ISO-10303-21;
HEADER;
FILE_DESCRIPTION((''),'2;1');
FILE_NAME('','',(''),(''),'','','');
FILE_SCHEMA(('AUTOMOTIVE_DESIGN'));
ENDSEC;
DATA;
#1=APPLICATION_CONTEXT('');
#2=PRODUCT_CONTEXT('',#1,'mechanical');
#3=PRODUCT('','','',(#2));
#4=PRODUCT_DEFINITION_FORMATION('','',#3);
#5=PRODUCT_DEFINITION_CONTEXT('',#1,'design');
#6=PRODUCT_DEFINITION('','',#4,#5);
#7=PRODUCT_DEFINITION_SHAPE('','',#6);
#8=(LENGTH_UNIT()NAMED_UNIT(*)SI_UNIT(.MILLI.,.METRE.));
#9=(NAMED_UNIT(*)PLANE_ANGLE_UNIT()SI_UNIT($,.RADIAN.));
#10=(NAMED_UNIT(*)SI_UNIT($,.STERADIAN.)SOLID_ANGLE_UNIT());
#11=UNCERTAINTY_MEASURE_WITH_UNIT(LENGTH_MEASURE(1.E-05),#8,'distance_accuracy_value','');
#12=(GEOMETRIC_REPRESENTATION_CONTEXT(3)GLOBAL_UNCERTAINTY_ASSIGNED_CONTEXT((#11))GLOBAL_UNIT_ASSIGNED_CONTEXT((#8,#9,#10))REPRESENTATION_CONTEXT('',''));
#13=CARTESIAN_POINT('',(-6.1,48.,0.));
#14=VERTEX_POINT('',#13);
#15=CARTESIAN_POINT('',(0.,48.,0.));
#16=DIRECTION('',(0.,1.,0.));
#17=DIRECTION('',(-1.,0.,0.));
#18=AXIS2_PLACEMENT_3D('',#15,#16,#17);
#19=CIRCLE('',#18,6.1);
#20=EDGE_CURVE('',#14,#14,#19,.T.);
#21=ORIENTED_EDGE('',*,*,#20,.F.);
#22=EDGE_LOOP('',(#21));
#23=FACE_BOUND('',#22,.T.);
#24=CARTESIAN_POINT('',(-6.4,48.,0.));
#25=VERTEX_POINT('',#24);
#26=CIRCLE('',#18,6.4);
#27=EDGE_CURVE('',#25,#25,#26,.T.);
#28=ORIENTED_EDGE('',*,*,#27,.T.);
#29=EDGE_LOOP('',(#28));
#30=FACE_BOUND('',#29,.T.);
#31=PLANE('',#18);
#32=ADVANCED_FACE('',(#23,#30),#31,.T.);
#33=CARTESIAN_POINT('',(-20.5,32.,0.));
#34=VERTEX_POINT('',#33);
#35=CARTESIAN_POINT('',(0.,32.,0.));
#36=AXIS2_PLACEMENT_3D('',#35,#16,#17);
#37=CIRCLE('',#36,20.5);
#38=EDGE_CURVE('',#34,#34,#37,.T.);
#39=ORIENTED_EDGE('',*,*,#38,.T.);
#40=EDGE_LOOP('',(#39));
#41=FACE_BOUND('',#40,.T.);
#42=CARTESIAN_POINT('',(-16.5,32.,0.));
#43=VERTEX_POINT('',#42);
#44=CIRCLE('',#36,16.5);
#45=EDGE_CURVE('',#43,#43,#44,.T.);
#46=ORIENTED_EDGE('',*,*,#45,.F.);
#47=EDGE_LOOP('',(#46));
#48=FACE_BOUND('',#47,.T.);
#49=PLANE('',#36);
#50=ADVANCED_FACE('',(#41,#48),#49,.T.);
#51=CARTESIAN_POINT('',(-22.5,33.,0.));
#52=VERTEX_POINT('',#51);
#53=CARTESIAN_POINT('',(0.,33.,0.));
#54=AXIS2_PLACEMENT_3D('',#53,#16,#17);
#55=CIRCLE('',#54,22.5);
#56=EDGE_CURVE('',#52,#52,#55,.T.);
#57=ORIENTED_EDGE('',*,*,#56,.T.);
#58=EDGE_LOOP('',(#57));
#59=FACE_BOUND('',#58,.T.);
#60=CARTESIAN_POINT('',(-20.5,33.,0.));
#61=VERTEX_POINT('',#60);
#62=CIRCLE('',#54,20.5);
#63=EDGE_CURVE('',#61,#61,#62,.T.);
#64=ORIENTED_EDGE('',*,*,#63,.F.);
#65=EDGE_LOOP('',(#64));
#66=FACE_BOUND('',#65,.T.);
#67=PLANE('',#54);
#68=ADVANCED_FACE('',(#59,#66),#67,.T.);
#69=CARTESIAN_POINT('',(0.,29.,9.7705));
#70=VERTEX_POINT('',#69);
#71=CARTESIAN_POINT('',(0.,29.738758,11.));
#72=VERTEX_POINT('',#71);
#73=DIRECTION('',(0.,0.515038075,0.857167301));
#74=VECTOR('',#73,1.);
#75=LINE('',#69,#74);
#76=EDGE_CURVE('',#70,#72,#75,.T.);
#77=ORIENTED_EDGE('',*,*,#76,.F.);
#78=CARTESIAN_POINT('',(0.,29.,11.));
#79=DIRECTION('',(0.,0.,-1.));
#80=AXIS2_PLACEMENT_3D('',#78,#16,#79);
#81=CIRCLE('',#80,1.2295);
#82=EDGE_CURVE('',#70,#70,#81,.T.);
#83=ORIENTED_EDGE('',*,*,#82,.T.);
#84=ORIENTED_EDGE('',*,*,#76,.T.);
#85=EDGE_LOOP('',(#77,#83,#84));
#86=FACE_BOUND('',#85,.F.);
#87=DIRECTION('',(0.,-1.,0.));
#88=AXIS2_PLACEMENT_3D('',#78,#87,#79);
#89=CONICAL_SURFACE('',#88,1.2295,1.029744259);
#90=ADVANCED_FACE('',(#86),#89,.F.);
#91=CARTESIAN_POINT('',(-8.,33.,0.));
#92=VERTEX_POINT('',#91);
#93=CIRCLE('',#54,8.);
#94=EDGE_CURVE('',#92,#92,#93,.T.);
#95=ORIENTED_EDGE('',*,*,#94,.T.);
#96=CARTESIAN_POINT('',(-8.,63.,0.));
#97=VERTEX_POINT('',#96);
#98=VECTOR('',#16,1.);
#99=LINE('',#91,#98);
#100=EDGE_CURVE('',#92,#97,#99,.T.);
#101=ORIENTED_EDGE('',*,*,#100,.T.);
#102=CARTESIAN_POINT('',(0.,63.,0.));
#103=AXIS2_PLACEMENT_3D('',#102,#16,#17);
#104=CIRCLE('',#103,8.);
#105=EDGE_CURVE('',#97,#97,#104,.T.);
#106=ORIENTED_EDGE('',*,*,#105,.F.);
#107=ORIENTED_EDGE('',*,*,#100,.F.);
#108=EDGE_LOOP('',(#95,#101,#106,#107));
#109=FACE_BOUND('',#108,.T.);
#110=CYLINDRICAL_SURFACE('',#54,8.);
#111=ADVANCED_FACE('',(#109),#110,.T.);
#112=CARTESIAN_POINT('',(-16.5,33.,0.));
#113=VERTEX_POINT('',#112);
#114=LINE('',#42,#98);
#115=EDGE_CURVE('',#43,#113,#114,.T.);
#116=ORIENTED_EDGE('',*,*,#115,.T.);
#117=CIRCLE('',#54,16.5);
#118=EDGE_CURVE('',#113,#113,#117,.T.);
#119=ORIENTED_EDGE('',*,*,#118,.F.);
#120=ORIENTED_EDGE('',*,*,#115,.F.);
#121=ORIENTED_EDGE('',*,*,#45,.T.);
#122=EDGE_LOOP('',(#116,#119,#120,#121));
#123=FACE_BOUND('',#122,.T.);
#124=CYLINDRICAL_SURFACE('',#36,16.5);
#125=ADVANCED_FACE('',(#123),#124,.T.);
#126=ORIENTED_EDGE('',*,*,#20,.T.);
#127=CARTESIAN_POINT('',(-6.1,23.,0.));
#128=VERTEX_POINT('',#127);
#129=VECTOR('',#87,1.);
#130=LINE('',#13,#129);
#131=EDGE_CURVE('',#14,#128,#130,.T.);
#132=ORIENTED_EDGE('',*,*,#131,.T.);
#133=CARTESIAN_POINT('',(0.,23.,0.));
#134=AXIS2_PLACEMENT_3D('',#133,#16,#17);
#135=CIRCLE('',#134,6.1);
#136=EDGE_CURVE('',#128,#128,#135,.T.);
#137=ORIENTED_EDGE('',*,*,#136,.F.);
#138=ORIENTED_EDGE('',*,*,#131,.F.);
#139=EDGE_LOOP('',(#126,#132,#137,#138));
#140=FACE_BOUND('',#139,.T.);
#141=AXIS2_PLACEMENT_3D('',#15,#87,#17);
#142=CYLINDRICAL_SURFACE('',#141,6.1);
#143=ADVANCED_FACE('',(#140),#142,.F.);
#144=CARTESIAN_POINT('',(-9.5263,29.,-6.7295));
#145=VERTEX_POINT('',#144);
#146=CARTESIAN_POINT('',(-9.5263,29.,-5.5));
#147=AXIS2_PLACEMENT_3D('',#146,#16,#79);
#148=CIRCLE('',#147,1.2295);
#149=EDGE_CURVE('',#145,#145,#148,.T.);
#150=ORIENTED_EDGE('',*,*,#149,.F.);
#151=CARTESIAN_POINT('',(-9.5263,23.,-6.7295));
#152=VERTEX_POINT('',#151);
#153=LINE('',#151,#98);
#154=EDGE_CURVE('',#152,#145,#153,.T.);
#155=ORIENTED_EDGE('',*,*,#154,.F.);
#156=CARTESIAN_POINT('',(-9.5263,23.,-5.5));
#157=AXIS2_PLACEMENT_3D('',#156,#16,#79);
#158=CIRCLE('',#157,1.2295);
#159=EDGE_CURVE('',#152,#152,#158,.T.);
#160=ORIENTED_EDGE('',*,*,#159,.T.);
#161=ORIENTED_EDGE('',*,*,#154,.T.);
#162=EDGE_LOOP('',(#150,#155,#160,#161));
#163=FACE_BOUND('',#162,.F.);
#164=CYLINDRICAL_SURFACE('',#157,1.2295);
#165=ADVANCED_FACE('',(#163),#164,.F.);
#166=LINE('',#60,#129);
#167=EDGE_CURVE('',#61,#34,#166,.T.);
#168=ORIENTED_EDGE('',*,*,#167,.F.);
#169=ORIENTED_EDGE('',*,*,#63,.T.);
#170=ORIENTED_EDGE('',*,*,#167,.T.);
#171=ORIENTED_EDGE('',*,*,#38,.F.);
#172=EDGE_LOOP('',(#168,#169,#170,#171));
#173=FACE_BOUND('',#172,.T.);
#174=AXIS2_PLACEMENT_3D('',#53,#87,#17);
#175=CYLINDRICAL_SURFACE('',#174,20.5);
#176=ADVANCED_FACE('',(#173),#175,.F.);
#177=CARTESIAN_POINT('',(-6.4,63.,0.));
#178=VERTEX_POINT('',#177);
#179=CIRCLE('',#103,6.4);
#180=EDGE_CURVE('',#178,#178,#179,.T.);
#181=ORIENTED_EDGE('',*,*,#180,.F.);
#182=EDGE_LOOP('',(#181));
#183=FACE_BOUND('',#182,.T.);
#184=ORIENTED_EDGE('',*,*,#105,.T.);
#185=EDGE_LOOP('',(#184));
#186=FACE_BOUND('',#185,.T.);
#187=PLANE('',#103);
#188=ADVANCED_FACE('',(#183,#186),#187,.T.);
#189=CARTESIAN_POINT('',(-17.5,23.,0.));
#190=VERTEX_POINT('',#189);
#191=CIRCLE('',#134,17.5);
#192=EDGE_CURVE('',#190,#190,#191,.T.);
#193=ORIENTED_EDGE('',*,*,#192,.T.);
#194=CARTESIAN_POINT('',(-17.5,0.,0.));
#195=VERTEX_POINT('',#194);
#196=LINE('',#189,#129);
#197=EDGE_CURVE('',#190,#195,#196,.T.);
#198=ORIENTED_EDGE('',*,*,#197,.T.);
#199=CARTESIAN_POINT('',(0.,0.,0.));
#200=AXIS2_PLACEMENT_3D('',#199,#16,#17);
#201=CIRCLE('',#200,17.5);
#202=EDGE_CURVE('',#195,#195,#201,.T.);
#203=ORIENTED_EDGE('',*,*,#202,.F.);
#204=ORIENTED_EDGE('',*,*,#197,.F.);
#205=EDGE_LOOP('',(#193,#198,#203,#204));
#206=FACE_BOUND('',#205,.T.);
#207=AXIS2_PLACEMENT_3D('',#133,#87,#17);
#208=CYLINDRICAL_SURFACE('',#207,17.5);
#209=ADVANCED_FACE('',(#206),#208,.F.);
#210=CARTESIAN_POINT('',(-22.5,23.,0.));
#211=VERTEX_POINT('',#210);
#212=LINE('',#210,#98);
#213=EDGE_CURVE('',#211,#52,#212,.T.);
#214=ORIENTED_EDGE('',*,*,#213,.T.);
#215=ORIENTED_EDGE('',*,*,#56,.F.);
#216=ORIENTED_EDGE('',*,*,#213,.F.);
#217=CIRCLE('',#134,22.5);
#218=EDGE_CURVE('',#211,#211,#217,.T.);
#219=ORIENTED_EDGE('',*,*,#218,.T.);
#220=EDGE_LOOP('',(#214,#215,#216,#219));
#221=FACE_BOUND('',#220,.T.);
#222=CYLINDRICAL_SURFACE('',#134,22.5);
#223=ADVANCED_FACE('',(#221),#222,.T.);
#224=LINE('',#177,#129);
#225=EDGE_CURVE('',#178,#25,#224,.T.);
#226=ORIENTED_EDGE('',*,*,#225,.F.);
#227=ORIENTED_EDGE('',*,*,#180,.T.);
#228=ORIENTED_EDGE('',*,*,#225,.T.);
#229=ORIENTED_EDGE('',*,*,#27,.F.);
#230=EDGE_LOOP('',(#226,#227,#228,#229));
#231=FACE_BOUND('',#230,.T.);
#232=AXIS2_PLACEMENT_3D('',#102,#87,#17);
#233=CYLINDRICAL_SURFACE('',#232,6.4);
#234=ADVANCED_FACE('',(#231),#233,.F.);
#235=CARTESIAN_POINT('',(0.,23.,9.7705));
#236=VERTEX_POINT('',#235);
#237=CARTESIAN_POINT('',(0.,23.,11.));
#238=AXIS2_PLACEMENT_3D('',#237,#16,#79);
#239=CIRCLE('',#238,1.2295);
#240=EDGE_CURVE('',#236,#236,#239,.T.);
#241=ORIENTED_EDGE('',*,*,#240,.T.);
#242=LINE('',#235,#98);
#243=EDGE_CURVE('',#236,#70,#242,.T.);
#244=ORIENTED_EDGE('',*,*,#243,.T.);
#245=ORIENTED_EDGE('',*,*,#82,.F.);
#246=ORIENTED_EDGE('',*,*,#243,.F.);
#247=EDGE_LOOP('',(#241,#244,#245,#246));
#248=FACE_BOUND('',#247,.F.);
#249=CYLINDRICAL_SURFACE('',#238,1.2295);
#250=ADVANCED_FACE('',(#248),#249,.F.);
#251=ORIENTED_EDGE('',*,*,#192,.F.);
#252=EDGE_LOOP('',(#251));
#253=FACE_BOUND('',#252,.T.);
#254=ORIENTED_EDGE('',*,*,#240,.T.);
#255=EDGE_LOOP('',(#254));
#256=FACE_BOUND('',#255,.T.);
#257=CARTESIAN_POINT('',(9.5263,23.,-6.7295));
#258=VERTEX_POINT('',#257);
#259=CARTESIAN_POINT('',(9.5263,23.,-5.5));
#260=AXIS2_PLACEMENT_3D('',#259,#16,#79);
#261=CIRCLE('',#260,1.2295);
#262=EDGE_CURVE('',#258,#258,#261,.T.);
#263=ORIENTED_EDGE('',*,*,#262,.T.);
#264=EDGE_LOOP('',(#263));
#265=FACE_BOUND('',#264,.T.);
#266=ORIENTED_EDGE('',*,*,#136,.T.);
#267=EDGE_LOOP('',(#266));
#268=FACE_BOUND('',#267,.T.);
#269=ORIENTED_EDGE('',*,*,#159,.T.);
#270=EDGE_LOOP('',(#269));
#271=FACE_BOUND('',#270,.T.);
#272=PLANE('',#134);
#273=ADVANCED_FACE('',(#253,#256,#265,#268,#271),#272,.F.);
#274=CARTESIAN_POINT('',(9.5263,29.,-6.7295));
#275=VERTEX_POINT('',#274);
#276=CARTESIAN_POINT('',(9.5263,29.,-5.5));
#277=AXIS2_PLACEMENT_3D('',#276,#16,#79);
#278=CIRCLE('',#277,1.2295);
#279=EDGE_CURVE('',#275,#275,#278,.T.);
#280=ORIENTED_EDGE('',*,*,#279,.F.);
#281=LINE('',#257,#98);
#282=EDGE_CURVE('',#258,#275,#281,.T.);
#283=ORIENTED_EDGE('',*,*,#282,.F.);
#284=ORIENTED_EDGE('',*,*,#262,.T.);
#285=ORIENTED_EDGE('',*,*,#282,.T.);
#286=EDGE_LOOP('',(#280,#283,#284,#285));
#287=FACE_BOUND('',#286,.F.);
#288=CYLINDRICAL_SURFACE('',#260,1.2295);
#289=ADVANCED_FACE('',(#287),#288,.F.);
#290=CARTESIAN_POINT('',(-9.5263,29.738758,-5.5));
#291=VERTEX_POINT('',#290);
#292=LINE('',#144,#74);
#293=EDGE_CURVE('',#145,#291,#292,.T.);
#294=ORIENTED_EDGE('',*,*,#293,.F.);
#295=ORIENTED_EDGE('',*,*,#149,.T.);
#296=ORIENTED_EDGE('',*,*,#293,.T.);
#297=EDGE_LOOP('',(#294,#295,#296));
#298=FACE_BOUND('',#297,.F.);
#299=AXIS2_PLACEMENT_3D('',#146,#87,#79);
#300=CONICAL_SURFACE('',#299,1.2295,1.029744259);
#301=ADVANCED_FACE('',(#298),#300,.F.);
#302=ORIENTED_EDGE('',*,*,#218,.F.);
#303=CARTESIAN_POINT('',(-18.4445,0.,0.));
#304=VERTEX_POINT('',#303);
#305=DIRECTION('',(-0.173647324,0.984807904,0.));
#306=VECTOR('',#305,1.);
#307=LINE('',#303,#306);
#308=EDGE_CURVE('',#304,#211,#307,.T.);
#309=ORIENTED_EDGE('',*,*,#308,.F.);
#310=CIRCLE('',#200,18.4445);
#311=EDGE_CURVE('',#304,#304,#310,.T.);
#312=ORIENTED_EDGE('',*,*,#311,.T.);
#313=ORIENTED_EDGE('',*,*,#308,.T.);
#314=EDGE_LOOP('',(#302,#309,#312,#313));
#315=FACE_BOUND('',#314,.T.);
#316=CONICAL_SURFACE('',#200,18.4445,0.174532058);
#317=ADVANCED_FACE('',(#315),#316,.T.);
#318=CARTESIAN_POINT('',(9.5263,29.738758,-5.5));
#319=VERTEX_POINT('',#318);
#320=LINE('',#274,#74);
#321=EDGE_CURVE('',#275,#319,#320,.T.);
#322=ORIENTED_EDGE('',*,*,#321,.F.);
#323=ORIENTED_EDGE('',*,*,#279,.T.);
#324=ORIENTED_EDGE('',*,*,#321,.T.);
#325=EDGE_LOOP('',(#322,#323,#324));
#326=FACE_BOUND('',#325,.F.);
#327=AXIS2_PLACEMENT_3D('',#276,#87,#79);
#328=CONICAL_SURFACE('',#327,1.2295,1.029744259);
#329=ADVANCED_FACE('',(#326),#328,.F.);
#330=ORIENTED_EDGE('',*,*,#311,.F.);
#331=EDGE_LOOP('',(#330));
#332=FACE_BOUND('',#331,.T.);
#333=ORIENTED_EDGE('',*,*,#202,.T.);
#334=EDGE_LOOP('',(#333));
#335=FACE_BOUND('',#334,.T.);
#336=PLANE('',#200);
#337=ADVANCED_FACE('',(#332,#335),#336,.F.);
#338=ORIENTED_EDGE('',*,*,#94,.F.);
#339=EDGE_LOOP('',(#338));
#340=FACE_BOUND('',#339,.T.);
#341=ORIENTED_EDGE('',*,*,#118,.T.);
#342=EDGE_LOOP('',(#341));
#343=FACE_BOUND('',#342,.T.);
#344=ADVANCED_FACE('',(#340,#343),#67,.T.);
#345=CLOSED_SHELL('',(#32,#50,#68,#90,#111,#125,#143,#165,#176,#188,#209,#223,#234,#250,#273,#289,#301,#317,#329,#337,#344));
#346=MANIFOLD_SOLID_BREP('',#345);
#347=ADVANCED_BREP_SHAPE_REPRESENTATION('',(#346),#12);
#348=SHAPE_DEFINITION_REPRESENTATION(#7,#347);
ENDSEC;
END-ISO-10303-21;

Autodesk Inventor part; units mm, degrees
ref_plane "YZ Plane" through (0, 0, 0) normal (1, 0, 0) x (0, 1, 0)
ref_plane "XZ Plane" through (0, 0, 0) normal (0, 1, 0) x (-1, 0, 0)
ref_plane "XY Plane" through (0, 0, 0) normal (0, 0, 1) x (1, 0, 0)
sketch "Sketch1" plane through (0, 0, 0) normal (0, 0, 1) x (1, 0, 0)
  line L0 (-6.4, 63) -> (-6.4, 48)
  line L1 (-6.4, 48) -> (-6.1, 48)
  line L2 (-6.1, 48) -> (-6.1, 23)
  line L3 (-6.1, 23) -> (-17.5, 23)
  line L4 (-17.5, 23) -> (-17.5, 0)
  line L5 (-17.5, 0) -> (-18.4445, 0)
  line L6 (-18.4445, 0) -> (-22.5, 23)
  line L7 (-22.5, 23) -> (-22.5, 33)
  line L8 (-22.5, 33) -> (-20.5, 33)
  line L9 (-20.5, 33) -> (-20.5, 32)
  line L10 (-20.5, 32) -> (-16.5, 32)
  line L11 (-16.5, 32) -> (-16.5, 33)
  line L12 (-16.5, 33) -> (-8, 33)
  line L13 (-8, 33) -> (-8, 63)
  line L14 (-8, 63) -> (-6.4, 63)
  line L15 (0, -12.6) -> (0, 75.6) projected
  point P0 (0, 0)
  point P1 (-17.9722, 0)
  dimension "d0" = 23
  dimension "d1" = 15
  dimension "d2" = 30
  dimension "d3" = 10
  dimension "d4" = 17.5
  dimension "d5" = 6.1
  dimension "d6" = 6.4
  dimension "d7" = 8
  dimension "d8" = 22.5
  dimension "d9" = 10
  dimension "d10" = 4
  dimension "d11" = 20.5
  dimension "d12" = 1
revolve "Revolution1" add sketch "Sketch1" angle 360 about axis through (0, -10, 0) along (0, 1, 0)
sketch "Sketch2" plane through (0, 23, 0) normal (0, -1, 0) x (1, 0, 0)
  circle A0 centre (0, 0) radius 11 construction
  point P0 (0, 11)
  point P1 (-9.5263, -5.5)
  point P2 (9.5263, -5.5)
  dimension "d14" = 22
  dimension "d15" = 120
  dimension "d16" = 120
hole "Hole1" at (0, 23, 11) at (-9.5263, 23, -5.5) at (9.5263, 23, -5.5) direction (0, 1, 0) diameter 2.459 depth 6 tip angle 118 thread size "M3x0.5" class "6H" standard "ANSI Metric M Profile"
properties part number "FlangeCone" material "Brass"
